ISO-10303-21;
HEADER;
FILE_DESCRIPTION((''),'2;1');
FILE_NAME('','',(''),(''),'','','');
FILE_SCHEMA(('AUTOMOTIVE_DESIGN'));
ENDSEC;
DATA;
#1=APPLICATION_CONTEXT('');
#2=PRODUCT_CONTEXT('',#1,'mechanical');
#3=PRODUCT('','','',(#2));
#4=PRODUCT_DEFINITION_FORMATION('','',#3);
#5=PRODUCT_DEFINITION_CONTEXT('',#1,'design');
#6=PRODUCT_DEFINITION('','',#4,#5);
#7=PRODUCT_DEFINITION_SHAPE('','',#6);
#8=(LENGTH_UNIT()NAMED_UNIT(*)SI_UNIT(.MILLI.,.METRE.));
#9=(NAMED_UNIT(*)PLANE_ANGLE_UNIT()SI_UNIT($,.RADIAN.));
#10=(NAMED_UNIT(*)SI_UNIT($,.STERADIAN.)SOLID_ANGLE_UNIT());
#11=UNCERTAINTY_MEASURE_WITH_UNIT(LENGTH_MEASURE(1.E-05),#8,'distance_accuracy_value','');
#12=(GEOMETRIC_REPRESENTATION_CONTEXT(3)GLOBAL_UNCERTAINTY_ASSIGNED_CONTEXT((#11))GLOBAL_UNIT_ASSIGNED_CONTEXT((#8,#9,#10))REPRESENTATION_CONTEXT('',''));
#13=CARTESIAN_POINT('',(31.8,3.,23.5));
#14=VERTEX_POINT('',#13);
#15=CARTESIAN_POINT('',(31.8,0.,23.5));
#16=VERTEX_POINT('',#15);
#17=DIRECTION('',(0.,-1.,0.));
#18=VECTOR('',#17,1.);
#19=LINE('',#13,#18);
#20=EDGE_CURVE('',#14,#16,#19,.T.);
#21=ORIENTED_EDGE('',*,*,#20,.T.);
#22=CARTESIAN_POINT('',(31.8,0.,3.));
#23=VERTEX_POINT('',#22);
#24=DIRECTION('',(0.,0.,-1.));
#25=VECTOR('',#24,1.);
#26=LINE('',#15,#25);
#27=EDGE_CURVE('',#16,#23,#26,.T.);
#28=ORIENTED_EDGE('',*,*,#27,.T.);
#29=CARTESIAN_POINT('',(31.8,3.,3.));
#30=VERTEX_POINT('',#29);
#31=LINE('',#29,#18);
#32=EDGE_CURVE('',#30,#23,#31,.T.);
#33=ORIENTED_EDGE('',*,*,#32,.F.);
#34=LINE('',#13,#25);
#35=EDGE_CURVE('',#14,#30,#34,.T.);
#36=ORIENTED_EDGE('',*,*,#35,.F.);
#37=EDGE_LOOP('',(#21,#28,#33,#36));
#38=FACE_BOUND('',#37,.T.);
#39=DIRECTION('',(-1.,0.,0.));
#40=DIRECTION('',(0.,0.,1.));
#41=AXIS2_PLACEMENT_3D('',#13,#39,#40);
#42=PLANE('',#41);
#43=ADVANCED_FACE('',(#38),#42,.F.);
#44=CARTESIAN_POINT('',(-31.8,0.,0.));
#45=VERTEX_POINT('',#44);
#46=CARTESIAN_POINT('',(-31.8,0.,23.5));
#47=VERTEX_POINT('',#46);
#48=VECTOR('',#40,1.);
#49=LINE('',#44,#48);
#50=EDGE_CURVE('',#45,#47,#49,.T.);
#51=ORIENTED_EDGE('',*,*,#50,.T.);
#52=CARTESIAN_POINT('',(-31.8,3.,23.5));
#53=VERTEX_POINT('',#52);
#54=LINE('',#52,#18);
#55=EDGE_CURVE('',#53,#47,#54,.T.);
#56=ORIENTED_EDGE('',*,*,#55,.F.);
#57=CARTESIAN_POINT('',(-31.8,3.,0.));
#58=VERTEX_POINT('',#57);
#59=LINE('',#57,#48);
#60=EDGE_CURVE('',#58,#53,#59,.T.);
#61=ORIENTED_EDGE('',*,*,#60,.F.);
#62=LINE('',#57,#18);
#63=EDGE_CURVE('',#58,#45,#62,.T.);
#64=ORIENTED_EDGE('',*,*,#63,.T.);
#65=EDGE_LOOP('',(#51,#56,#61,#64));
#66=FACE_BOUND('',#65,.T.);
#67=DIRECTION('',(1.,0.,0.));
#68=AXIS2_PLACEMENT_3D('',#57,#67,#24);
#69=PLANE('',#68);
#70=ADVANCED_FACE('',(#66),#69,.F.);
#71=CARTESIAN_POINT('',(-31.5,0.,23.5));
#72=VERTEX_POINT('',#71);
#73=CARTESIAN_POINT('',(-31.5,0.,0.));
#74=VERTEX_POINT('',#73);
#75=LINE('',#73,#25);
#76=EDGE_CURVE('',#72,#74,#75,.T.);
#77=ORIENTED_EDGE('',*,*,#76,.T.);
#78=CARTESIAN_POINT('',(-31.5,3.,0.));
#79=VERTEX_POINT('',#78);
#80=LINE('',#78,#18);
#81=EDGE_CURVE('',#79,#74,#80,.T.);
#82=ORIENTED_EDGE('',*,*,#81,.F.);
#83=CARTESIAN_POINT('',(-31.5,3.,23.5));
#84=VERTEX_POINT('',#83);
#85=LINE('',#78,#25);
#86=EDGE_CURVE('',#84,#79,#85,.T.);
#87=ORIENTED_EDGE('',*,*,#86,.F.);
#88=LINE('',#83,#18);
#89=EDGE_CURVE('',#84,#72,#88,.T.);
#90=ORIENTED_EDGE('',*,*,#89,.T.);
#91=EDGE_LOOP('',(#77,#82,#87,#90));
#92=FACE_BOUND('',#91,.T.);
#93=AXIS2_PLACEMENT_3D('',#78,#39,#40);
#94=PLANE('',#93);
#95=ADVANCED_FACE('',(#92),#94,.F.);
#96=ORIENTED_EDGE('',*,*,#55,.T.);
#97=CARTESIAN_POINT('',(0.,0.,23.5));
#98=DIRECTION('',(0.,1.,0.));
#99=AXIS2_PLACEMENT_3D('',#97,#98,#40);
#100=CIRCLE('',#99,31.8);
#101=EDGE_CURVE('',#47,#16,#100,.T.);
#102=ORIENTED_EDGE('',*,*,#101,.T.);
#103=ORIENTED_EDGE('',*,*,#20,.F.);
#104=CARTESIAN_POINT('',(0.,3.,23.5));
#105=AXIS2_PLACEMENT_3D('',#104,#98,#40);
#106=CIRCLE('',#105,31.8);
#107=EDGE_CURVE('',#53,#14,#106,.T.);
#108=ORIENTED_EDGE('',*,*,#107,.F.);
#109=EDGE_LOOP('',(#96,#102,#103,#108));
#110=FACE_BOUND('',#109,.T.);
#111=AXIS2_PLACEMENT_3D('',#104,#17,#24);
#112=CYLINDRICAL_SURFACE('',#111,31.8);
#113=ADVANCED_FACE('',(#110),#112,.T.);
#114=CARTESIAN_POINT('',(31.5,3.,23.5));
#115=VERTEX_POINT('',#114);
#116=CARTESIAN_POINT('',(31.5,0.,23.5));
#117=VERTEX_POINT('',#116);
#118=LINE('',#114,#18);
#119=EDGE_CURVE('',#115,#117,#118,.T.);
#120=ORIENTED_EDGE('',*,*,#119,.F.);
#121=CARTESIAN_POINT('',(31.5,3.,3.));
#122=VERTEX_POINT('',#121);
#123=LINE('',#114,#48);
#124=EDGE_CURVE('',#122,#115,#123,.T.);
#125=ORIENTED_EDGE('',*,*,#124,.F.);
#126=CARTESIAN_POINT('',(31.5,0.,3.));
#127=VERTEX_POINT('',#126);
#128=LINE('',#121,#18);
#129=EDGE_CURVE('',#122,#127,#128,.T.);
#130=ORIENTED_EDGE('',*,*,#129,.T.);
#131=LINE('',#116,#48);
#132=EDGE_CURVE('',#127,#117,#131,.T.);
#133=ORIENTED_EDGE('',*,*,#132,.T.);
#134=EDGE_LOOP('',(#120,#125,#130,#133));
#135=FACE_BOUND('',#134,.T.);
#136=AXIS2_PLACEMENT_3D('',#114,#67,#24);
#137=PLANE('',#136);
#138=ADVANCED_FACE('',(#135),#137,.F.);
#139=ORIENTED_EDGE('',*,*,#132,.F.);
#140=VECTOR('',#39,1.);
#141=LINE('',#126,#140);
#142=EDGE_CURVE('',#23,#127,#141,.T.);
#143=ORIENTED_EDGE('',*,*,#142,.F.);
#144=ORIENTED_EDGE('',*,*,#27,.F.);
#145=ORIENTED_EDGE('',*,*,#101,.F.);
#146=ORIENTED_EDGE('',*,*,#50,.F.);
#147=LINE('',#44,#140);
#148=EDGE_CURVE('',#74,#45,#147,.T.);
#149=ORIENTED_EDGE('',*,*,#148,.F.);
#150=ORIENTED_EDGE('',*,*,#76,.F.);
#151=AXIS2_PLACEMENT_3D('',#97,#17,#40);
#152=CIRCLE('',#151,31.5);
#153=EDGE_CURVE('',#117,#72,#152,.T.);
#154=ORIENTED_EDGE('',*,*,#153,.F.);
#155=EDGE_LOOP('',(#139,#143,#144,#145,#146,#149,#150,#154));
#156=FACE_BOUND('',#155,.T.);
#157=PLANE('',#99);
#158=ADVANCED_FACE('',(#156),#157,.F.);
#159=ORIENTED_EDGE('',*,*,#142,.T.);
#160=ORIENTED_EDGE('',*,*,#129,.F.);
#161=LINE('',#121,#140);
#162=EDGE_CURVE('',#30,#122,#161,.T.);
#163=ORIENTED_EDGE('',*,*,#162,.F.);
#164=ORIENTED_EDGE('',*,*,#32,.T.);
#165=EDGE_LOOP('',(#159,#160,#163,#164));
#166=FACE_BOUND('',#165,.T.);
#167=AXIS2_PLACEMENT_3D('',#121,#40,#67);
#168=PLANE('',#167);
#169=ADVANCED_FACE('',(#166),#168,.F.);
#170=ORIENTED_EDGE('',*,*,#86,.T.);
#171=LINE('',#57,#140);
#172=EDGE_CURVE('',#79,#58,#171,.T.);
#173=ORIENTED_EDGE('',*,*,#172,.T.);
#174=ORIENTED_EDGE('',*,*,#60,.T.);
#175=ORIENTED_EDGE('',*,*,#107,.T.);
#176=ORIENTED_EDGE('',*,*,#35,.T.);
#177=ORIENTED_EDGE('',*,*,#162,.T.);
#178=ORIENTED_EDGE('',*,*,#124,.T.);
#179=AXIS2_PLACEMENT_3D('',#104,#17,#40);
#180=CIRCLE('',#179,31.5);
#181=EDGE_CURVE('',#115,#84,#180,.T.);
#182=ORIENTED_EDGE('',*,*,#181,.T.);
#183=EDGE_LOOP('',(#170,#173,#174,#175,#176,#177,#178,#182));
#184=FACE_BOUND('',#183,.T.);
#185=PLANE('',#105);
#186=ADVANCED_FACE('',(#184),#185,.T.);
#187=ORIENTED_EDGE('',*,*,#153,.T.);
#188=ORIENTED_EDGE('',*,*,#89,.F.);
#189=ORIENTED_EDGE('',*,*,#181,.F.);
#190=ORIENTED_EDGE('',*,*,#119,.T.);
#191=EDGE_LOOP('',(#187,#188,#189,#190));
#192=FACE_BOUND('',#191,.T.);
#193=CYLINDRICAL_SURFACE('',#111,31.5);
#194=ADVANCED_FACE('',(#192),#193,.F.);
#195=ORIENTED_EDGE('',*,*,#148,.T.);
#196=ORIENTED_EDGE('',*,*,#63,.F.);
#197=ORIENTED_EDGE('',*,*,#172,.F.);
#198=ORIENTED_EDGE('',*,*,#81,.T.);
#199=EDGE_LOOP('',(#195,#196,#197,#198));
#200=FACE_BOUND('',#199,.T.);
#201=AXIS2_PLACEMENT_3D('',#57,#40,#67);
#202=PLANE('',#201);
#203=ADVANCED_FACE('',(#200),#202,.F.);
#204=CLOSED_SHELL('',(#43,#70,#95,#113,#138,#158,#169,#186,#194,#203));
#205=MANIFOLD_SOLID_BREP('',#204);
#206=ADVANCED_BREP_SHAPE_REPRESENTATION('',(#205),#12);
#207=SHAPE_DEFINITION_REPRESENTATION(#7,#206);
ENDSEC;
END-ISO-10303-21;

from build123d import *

# Parameters (mm, degrees)
BOSS_EXTRUDE1_DEPTH = 3


with BuildPart() as part:
    # Sketch1 → Boss-Extrude1 (new body)
    with BuildSketch(Plane(origin=(0, 0, 0), x_dir=(1, 0, 0), z_dir=(0, 1, 0))):
        with BuildLine():
            Line((-31.5, 0), (-31.5, -23.5))
            ThreePointArc((-31.5, -23.5), (0, -55), (31.5, -23.5))
            Line((31.5, -23.5), (31.5, -3))
            Line((31.5, -3), (31.8, -3))
            Line((31.8, -3), (31.8, -23.5))
            ThreePointArc((31.8, -23.5), (0, -55.3), (-31.8, -23.5))
            Line((-31.8, -23.5), (-31.8, 0))
            Line((-31.8, 0), (-31.5, 0))
        make_face()
    extrude(amount=BOSS_EXTRUDE1_DEPTH)


solid = part.part
